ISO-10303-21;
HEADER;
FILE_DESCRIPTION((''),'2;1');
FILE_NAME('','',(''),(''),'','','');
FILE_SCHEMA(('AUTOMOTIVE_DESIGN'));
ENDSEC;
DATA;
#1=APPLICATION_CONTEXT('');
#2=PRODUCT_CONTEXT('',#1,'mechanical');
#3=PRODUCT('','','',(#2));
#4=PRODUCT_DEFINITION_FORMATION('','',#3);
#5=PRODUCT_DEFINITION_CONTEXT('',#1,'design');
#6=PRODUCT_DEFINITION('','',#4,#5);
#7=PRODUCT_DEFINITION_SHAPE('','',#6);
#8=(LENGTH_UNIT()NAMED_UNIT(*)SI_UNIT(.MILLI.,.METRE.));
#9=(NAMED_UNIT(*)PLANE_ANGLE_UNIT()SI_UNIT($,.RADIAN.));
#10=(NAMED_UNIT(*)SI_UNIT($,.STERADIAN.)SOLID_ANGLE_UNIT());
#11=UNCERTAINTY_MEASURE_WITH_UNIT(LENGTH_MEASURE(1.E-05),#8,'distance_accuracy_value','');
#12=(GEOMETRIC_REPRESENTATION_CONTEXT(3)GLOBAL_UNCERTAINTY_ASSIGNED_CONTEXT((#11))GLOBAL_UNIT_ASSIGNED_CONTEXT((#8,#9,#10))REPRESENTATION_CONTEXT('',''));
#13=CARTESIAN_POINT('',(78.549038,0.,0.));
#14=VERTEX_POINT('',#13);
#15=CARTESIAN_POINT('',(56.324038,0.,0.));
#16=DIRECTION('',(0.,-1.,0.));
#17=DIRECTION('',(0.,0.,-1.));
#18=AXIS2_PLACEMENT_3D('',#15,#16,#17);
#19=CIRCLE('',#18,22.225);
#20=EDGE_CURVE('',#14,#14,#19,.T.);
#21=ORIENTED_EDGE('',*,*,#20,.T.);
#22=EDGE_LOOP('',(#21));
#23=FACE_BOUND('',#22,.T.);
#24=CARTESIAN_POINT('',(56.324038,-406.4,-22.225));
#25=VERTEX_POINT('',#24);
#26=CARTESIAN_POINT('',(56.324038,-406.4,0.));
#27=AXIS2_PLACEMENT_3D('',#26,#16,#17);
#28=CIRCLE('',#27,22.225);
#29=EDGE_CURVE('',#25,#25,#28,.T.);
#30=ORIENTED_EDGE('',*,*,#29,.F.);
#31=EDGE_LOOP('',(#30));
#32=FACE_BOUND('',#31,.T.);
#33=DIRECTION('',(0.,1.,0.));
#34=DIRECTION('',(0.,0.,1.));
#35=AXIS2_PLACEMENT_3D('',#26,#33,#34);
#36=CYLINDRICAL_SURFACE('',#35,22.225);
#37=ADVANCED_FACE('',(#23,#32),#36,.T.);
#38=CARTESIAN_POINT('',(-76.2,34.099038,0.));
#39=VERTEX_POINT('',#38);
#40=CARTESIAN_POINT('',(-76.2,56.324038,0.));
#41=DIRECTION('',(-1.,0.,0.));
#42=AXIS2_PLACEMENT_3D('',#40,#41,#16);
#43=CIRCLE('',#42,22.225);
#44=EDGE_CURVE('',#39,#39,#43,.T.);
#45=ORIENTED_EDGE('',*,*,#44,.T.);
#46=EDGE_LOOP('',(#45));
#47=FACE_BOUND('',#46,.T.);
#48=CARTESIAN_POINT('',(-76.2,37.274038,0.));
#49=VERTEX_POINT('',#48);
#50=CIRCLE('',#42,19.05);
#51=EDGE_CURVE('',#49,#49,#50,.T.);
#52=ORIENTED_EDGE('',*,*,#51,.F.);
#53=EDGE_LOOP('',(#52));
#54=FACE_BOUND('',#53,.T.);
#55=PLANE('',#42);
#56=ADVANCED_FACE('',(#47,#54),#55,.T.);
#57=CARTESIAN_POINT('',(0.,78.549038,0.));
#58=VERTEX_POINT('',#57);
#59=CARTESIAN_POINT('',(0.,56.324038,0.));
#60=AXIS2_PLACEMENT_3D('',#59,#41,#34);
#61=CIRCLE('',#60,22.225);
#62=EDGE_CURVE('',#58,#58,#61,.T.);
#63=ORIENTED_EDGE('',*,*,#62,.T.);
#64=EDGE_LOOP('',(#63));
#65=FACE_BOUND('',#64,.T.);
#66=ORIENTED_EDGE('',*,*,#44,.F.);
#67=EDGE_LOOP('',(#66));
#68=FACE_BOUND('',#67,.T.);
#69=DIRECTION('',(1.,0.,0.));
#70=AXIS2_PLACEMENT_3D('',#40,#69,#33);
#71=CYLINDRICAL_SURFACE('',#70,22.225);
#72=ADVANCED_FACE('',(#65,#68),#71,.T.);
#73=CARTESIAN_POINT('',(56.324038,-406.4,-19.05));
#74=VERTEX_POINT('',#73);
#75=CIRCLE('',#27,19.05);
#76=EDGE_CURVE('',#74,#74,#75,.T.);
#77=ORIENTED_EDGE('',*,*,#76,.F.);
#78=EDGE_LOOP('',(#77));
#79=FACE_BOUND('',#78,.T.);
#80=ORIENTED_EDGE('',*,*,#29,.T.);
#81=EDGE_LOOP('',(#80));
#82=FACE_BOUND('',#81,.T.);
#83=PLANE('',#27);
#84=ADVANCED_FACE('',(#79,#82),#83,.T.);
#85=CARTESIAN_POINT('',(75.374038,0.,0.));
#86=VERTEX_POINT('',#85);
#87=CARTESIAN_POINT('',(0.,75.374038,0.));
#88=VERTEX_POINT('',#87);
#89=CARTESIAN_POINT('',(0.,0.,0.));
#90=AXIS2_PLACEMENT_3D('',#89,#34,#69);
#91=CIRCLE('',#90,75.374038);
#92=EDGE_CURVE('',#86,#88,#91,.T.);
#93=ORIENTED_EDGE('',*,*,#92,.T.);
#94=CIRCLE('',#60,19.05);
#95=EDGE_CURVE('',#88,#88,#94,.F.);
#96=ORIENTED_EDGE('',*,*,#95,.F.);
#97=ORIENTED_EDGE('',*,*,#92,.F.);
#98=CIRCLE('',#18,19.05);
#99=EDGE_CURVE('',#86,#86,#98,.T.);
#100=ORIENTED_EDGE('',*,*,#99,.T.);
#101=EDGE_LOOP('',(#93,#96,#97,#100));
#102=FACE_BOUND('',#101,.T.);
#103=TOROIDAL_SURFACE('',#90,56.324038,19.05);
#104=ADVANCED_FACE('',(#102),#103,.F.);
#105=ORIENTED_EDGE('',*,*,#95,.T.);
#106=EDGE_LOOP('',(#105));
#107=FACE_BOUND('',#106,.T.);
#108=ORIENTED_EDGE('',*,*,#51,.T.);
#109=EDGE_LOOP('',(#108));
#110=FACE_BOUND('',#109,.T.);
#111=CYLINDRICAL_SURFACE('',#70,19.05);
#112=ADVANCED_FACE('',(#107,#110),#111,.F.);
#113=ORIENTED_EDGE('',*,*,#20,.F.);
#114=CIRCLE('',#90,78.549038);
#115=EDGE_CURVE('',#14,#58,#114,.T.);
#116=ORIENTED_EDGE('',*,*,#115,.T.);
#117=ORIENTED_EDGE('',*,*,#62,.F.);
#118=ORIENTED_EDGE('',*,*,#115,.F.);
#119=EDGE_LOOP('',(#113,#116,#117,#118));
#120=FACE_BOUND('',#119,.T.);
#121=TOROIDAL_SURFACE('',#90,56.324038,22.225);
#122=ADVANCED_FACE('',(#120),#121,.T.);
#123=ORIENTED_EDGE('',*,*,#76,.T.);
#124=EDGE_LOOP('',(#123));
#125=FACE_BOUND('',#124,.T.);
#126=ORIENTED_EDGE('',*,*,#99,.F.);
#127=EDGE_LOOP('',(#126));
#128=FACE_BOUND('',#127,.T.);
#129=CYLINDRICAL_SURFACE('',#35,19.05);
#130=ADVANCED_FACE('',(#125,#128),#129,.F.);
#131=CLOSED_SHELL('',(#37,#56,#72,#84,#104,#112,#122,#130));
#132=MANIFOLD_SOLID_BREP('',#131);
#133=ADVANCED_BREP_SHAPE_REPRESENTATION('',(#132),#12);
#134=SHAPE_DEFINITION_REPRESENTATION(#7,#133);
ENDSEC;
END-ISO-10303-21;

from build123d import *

# Parameters (mm, degrees)
SKETCH5_R           = 22.225
SKETCH5_R_2         = 19.05
SKETCH6_R           = 22.225
SKETCH6_R_2         = 19.05
BOSS_EXTRUDE1_DEPTH = 76.2
SKETCH7_R           = 22.225
SKETCH7_R_2         = 19.05
BOSS_EXTRUDE2_DEPTH = 406.4


with BuildPart() as part:
    # Sweep1: sweep along a path in Sketch4
    with BuildLine(Plane.XY) as sweep1_path:
        ThreePointArc((56.324038217, 0), (39.827109367, 39.827109367), (0, 56.324038217))
    # Sketch5 → Sweep1 (sweep)
    with BuildSketch(Plane(origin=(0, 0, 0), x_dir=(1, 0, 0), z_dir=(0, 1, 0))):
        with Locations((56.324038217, 0)):
            Circle(SKETCH5_R)
        with Locations((56.324038217, 0)):
            Circle(SKETCH5_R_2, mode=Mode.SUBTRACT)
    sweep(path=sweep1_path.line)

    # Sketch6 → Boss-Extrude1 (add)
    with BuildSketch(Plane.ZY):
        with Locations((0, 56.324038217)):
            Circle(SKETCH6_R)
        with Locations((0, 56.324038217)):
            Circle(SKETCH6_R_2, mode=Mode.SUBTRACT)
    extrude(amount=BOSS_EXTRUDE1_DEPTH)

    # Sketch7 → Boss-Extrude2 (add)
    with BuildSketch(Plane.XZ):
        with Locations((56.324038217, 0)):
            Circle(SKETCH7_R)
        with Locations((56.324038217, 0)):
            Circle(SKETCH7_R_2, mode=Mode.SUBTRACT)
    extrude(amount=BOSS_EXTRUDE2_DEPTH)


solid = part.part
